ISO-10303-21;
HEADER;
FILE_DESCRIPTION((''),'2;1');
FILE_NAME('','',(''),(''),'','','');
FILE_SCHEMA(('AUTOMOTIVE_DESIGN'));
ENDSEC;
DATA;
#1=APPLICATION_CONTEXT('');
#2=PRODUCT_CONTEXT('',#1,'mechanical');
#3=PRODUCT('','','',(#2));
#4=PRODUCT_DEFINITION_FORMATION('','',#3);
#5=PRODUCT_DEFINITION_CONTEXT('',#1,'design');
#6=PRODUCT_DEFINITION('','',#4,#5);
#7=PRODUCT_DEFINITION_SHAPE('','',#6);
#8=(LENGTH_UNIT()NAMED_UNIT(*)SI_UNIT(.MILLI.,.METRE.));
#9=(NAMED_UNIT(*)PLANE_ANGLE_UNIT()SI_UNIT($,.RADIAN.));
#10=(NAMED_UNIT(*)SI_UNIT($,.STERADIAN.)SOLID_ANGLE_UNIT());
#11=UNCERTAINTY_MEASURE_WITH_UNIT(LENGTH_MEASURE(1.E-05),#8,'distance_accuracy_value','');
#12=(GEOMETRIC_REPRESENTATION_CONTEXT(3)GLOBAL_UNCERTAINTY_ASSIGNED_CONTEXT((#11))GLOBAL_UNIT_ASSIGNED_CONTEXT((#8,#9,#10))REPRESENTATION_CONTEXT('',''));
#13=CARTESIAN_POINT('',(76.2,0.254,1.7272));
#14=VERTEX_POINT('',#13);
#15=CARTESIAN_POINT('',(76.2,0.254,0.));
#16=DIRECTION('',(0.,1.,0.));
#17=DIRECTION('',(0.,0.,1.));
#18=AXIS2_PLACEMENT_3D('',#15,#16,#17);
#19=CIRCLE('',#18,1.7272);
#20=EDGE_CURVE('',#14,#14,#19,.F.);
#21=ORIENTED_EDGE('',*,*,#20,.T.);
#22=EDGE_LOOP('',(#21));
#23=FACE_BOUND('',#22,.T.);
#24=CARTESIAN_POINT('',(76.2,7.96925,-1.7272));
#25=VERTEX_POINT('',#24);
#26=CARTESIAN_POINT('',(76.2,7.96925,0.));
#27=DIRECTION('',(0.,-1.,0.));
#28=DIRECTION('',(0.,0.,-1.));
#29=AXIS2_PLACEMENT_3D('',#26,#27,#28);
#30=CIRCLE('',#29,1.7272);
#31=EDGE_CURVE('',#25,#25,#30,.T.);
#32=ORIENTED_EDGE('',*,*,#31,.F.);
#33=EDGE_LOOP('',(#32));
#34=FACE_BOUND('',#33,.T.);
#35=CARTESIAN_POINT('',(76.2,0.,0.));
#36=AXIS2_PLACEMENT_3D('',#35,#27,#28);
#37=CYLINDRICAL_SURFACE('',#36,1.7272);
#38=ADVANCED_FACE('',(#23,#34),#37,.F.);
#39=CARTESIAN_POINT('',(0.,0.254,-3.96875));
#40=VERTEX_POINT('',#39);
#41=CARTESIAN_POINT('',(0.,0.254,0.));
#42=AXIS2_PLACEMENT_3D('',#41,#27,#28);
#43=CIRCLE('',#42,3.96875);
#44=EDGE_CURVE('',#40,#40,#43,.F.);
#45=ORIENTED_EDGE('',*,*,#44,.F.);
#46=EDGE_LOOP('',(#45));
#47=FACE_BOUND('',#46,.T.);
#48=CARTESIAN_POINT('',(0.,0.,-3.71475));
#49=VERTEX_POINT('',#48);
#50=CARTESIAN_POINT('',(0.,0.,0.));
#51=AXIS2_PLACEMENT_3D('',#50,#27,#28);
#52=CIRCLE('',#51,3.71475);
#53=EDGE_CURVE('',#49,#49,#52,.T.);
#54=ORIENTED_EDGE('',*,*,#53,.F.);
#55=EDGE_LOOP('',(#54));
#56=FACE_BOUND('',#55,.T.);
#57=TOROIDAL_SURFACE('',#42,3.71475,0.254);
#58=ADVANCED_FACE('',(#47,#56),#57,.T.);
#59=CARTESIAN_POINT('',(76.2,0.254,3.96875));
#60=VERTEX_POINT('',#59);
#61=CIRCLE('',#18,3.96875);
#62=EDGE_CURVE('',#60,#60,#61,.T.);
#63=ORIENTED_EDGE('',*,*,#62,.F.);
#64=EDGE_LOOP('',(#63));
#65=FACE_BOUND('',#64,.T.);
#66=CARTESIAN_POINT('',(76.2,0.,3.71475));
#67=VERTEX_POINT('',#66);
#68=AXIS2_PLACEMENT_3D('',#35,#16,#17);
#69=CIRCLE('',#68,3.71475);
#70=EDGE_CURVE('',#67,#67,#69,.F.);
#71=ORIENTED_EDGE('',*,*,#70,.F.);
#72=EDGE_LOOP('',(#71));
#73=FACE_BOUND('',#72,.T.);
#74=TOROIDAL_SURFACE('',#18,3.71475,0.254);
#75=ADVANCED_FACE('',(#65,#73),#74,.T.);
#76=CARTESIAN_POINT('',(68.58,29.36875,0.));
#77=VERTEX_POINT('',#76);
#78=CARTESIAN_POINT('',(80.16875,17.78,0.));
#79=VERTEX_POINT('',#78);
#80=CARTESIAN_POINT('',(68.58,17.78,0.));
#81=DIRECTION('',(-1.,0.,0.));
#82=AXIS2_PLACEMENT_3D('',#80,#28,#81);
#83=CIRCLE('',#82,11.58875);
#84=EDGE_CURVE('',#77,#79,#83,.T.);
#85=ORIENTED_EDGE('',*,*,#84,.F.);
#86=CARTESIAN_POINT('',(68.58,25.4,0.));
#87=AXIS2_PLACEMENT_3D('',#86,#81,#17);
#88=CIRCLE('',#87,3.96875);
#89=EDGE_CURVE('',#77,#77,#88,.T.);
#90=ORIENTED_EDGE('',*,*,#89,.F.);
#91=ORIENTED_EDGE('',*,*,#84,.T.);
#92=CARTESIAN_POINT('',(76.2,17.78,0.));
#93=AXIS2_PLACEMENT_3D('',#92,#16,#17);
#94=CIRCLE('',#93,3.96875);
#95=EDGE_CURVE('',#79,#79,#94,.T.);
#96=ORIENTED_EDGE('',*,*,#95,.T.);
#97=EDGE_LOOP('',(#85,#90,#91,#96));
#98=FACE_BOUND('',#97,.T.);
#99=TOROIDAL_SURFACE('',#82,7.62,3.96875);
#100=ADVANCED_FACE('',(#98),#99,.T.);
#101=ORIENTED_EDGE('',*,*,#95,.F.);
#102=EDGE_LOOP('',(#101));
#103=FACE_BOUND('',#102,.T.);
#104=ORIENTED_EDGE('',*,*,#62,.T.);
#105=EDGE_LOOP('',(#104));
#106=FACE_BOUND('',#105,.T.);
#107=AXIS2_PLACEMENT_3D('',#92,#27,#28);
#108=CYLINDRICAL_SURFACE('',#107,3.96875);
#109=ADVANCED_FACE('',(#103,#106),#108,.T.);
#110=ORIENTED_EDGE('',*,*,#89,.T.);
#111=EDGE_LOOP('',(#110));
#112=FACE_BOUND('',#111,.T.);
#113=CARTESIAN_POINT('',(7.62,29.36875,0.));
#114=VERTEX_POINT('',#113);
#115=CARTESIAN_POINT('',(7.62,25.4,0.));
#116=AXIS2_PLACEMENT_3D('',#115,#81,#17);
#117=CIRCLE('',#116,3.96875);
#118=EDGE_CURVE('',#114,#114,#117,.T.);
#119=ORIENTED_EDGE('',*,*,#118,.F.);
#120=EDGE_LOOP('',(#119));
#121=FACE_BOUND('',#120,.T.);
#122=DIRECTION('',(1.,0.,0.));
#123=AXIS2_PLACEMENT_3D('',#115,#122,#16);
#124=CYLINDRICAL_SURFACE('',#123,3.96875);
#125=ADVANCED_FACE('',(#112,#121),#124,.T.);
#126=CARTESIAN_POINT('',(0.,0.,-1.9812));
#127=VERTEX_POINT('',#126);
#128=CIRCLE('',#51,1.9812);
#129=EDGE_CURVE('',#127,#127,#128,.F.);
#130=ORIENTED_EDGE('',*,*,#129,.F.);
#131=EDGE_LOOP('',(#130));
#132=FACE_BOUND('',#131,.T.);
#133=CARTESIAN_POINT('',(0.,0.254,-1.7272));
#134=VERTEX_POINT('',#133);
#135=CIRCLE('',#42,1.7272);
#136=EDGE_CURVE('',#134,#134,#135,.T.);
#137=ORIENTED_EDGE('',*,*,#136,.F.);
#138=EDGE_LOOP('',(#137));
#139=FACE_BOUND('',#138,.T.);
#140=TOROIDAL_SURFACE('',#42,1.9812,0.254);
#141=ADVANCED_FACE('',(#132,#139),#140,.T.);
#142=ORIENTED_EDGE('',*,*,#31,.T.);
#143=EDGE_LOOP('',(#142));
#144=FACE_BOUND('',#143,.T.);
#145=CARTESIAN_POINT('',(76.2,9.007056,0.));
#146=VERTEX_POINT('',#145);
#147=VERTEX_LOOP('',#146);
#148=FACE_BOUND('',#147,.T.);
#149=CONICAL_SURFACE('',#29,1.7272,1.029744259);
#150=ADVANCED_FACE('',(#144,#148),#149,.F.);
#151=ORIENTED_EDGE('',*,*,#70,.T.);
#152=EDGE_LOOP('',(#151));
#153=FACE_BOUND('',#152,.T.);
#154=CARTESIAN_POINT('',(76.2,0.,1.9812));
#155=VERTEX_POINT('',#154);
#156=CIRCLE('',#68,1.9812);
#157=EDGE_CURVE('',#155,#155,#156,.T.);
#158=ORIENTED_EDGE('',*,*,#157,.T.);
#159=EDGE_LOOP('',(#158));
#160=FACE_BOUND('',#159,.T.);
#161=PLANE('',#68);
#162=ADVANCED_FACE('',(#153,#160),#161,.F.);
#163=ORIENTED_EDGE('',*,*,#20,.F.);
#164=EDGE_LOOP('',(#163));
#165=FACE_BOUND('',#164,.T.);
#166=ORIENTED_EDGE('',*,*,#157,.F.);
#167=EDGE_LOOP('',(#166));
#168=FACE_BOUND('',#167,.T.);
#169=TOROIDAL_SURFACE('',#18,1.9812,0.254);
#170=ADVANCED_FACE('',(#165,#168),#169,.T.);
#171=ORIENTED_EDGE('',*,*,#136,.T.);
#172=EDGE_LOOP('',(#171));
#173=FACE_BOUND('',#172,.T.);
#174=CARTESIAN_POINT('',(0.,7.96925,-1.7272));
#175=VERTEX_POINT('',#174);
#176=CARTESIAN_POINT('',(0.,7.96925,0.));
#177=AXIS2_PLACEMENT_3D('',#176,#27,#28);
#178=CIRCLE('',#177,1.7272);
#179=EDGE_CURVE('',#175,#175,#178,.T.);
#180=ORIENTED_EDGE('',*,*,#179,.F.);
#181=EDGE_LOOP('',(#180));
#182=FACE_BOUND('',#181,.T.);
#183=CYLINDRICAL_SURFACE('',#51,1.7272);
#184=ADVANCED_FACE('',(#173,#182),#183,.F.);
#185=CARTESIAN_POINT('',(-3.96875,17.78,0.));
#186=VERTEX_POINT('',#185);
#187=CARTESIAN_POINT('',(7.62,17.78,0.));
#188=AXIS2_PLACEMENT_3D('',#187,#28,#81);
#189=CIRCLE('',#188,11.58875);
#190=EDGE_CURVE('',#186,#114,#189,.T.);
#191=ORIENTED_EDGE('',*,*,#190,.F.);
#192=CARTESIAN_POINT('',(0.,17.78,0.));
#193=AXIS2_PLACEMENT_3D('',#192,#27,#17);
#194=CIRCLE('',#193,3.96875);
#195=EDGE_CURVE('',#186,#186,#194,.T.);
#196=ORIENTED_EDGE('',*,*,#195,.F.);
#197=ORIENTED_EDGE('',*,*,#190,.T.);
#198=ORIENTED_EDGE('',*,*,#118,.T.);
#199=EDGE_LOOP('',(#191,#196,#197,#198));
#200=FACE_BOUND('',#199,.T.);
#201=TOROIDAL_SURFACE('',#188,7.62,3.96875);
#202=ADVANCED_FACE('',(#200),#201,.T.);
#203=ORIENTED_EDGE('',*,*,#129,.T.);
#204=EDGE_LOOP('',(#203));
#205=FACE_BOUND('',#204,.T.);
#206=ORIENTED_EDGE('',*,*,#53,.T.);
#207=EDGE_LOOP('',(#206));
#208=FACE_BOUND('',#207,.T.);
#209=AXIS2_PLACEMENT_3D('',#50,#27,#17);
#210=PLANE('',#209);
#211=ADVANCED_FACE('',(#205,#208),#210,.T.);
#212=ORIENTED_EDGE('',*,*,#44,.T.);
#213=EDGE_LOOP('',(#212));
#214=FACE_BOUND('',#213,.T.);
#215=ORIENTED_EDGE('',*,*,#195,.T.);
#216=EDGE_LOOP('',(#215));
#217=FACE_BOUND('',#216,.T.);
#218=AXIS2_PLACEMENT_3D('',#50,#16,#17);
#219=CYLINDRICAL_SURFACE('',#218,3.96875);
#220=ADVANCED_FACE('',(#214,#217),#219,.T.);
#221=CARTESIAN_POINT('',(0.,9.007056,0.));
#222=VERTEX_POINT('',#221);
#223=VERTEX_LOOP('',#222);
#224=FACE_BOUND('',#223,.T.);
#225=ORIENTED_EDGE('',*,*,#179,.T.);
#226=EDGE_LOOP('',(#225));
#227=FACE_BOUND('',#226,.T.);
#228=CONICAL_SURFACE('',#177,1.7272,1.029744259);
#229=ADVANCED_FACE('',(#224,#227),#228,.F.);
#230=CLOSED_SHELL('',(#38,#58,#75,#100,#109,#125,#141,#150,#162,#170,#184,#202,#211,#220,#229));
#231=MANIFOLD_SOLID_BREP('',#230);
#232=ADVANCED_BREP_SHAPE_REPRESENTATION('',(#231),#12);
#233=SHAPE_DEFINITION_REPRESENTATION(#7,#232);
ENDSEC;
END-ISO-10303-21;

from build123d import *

# Parameters (mm, degrees)
SKETCH2_R                     = 3.96875
TAP_DRILL_FOR_8_32_TAP1_D     = 3.4544
TAP_DRILL_FOR_8_32_TAP1_DEPTH = 7.96925
TAP_DRILL_FOR_8_32_TAP1_TIP   = 1.037806461
FILLET1_R                     = 0.254


with BuildPart() as part:
    # Sweep5: sweep along a path in Sketch1
    with BuildLine(Plane.XY) as sweep5_path:
        Line((0, 0), (0, 17.78))
        ThreePointArc((0, 17.78), (2.231846327, 23.168153673), (7.62, 25.4))
        Line((7.62, 25.4), (68.58, 25.4))
        ThreePointArc((68.58, 25.4), (73.968153673, 23.168153673), (76.2, 17.78))
        Line((76.2, 17.78), (76.2, 0))
    # Sketch2 → Sweep5 (sweep)
    with BuildSketch(Plane(origin=(0, 0, 0), x_dir=(1, 0, 0), z_dir=(0, 1, 0))):
        with Locations((76.2, 0)):
            Circle(SKETCH2_R)
    sweep(path=sweep5_path.line)

    # Tap Drill for #8-32 Tap1
    with Locations(Plane(origin=(0, 0, 0), x_dir=(-1, 0, 0), z_dir=(0, -1, 0))):
        with Locations((-76.2, 0), (0, 0)):
            Hole(TAP_DRILL_FOR_8_32_TAP1_D / 2, depth=TAP_DRILL_FOR_8_32_TAP1_DEPTH)
            with Locations((0, 0, -(TAP_DRILL_FOR_8_32_TAP1_DEPTH + TAP_DRILL_FOR_8_32_TAP1_TIP / 2))):  # 118° drill point
                Cone(0, TAP_DRILL_FOR_8_32_TAP1_D / 2, TAP_DRILL_FOR_8_32_TAP1_TIP, mode=Mode.SUBTRACT)

    # Fillet1
    fillet1_edges = [part.edges().sort_by_distance(p)[0] for p in [
        (-1.7272, 0, 0),
        (74.4728, 0, 0),
        (72.23125, 0, 0),
        (3.96875, 0, 0),
    ]]
    fillet(fillet1_edges, radius=FILLET1_R)


solid = part.part
